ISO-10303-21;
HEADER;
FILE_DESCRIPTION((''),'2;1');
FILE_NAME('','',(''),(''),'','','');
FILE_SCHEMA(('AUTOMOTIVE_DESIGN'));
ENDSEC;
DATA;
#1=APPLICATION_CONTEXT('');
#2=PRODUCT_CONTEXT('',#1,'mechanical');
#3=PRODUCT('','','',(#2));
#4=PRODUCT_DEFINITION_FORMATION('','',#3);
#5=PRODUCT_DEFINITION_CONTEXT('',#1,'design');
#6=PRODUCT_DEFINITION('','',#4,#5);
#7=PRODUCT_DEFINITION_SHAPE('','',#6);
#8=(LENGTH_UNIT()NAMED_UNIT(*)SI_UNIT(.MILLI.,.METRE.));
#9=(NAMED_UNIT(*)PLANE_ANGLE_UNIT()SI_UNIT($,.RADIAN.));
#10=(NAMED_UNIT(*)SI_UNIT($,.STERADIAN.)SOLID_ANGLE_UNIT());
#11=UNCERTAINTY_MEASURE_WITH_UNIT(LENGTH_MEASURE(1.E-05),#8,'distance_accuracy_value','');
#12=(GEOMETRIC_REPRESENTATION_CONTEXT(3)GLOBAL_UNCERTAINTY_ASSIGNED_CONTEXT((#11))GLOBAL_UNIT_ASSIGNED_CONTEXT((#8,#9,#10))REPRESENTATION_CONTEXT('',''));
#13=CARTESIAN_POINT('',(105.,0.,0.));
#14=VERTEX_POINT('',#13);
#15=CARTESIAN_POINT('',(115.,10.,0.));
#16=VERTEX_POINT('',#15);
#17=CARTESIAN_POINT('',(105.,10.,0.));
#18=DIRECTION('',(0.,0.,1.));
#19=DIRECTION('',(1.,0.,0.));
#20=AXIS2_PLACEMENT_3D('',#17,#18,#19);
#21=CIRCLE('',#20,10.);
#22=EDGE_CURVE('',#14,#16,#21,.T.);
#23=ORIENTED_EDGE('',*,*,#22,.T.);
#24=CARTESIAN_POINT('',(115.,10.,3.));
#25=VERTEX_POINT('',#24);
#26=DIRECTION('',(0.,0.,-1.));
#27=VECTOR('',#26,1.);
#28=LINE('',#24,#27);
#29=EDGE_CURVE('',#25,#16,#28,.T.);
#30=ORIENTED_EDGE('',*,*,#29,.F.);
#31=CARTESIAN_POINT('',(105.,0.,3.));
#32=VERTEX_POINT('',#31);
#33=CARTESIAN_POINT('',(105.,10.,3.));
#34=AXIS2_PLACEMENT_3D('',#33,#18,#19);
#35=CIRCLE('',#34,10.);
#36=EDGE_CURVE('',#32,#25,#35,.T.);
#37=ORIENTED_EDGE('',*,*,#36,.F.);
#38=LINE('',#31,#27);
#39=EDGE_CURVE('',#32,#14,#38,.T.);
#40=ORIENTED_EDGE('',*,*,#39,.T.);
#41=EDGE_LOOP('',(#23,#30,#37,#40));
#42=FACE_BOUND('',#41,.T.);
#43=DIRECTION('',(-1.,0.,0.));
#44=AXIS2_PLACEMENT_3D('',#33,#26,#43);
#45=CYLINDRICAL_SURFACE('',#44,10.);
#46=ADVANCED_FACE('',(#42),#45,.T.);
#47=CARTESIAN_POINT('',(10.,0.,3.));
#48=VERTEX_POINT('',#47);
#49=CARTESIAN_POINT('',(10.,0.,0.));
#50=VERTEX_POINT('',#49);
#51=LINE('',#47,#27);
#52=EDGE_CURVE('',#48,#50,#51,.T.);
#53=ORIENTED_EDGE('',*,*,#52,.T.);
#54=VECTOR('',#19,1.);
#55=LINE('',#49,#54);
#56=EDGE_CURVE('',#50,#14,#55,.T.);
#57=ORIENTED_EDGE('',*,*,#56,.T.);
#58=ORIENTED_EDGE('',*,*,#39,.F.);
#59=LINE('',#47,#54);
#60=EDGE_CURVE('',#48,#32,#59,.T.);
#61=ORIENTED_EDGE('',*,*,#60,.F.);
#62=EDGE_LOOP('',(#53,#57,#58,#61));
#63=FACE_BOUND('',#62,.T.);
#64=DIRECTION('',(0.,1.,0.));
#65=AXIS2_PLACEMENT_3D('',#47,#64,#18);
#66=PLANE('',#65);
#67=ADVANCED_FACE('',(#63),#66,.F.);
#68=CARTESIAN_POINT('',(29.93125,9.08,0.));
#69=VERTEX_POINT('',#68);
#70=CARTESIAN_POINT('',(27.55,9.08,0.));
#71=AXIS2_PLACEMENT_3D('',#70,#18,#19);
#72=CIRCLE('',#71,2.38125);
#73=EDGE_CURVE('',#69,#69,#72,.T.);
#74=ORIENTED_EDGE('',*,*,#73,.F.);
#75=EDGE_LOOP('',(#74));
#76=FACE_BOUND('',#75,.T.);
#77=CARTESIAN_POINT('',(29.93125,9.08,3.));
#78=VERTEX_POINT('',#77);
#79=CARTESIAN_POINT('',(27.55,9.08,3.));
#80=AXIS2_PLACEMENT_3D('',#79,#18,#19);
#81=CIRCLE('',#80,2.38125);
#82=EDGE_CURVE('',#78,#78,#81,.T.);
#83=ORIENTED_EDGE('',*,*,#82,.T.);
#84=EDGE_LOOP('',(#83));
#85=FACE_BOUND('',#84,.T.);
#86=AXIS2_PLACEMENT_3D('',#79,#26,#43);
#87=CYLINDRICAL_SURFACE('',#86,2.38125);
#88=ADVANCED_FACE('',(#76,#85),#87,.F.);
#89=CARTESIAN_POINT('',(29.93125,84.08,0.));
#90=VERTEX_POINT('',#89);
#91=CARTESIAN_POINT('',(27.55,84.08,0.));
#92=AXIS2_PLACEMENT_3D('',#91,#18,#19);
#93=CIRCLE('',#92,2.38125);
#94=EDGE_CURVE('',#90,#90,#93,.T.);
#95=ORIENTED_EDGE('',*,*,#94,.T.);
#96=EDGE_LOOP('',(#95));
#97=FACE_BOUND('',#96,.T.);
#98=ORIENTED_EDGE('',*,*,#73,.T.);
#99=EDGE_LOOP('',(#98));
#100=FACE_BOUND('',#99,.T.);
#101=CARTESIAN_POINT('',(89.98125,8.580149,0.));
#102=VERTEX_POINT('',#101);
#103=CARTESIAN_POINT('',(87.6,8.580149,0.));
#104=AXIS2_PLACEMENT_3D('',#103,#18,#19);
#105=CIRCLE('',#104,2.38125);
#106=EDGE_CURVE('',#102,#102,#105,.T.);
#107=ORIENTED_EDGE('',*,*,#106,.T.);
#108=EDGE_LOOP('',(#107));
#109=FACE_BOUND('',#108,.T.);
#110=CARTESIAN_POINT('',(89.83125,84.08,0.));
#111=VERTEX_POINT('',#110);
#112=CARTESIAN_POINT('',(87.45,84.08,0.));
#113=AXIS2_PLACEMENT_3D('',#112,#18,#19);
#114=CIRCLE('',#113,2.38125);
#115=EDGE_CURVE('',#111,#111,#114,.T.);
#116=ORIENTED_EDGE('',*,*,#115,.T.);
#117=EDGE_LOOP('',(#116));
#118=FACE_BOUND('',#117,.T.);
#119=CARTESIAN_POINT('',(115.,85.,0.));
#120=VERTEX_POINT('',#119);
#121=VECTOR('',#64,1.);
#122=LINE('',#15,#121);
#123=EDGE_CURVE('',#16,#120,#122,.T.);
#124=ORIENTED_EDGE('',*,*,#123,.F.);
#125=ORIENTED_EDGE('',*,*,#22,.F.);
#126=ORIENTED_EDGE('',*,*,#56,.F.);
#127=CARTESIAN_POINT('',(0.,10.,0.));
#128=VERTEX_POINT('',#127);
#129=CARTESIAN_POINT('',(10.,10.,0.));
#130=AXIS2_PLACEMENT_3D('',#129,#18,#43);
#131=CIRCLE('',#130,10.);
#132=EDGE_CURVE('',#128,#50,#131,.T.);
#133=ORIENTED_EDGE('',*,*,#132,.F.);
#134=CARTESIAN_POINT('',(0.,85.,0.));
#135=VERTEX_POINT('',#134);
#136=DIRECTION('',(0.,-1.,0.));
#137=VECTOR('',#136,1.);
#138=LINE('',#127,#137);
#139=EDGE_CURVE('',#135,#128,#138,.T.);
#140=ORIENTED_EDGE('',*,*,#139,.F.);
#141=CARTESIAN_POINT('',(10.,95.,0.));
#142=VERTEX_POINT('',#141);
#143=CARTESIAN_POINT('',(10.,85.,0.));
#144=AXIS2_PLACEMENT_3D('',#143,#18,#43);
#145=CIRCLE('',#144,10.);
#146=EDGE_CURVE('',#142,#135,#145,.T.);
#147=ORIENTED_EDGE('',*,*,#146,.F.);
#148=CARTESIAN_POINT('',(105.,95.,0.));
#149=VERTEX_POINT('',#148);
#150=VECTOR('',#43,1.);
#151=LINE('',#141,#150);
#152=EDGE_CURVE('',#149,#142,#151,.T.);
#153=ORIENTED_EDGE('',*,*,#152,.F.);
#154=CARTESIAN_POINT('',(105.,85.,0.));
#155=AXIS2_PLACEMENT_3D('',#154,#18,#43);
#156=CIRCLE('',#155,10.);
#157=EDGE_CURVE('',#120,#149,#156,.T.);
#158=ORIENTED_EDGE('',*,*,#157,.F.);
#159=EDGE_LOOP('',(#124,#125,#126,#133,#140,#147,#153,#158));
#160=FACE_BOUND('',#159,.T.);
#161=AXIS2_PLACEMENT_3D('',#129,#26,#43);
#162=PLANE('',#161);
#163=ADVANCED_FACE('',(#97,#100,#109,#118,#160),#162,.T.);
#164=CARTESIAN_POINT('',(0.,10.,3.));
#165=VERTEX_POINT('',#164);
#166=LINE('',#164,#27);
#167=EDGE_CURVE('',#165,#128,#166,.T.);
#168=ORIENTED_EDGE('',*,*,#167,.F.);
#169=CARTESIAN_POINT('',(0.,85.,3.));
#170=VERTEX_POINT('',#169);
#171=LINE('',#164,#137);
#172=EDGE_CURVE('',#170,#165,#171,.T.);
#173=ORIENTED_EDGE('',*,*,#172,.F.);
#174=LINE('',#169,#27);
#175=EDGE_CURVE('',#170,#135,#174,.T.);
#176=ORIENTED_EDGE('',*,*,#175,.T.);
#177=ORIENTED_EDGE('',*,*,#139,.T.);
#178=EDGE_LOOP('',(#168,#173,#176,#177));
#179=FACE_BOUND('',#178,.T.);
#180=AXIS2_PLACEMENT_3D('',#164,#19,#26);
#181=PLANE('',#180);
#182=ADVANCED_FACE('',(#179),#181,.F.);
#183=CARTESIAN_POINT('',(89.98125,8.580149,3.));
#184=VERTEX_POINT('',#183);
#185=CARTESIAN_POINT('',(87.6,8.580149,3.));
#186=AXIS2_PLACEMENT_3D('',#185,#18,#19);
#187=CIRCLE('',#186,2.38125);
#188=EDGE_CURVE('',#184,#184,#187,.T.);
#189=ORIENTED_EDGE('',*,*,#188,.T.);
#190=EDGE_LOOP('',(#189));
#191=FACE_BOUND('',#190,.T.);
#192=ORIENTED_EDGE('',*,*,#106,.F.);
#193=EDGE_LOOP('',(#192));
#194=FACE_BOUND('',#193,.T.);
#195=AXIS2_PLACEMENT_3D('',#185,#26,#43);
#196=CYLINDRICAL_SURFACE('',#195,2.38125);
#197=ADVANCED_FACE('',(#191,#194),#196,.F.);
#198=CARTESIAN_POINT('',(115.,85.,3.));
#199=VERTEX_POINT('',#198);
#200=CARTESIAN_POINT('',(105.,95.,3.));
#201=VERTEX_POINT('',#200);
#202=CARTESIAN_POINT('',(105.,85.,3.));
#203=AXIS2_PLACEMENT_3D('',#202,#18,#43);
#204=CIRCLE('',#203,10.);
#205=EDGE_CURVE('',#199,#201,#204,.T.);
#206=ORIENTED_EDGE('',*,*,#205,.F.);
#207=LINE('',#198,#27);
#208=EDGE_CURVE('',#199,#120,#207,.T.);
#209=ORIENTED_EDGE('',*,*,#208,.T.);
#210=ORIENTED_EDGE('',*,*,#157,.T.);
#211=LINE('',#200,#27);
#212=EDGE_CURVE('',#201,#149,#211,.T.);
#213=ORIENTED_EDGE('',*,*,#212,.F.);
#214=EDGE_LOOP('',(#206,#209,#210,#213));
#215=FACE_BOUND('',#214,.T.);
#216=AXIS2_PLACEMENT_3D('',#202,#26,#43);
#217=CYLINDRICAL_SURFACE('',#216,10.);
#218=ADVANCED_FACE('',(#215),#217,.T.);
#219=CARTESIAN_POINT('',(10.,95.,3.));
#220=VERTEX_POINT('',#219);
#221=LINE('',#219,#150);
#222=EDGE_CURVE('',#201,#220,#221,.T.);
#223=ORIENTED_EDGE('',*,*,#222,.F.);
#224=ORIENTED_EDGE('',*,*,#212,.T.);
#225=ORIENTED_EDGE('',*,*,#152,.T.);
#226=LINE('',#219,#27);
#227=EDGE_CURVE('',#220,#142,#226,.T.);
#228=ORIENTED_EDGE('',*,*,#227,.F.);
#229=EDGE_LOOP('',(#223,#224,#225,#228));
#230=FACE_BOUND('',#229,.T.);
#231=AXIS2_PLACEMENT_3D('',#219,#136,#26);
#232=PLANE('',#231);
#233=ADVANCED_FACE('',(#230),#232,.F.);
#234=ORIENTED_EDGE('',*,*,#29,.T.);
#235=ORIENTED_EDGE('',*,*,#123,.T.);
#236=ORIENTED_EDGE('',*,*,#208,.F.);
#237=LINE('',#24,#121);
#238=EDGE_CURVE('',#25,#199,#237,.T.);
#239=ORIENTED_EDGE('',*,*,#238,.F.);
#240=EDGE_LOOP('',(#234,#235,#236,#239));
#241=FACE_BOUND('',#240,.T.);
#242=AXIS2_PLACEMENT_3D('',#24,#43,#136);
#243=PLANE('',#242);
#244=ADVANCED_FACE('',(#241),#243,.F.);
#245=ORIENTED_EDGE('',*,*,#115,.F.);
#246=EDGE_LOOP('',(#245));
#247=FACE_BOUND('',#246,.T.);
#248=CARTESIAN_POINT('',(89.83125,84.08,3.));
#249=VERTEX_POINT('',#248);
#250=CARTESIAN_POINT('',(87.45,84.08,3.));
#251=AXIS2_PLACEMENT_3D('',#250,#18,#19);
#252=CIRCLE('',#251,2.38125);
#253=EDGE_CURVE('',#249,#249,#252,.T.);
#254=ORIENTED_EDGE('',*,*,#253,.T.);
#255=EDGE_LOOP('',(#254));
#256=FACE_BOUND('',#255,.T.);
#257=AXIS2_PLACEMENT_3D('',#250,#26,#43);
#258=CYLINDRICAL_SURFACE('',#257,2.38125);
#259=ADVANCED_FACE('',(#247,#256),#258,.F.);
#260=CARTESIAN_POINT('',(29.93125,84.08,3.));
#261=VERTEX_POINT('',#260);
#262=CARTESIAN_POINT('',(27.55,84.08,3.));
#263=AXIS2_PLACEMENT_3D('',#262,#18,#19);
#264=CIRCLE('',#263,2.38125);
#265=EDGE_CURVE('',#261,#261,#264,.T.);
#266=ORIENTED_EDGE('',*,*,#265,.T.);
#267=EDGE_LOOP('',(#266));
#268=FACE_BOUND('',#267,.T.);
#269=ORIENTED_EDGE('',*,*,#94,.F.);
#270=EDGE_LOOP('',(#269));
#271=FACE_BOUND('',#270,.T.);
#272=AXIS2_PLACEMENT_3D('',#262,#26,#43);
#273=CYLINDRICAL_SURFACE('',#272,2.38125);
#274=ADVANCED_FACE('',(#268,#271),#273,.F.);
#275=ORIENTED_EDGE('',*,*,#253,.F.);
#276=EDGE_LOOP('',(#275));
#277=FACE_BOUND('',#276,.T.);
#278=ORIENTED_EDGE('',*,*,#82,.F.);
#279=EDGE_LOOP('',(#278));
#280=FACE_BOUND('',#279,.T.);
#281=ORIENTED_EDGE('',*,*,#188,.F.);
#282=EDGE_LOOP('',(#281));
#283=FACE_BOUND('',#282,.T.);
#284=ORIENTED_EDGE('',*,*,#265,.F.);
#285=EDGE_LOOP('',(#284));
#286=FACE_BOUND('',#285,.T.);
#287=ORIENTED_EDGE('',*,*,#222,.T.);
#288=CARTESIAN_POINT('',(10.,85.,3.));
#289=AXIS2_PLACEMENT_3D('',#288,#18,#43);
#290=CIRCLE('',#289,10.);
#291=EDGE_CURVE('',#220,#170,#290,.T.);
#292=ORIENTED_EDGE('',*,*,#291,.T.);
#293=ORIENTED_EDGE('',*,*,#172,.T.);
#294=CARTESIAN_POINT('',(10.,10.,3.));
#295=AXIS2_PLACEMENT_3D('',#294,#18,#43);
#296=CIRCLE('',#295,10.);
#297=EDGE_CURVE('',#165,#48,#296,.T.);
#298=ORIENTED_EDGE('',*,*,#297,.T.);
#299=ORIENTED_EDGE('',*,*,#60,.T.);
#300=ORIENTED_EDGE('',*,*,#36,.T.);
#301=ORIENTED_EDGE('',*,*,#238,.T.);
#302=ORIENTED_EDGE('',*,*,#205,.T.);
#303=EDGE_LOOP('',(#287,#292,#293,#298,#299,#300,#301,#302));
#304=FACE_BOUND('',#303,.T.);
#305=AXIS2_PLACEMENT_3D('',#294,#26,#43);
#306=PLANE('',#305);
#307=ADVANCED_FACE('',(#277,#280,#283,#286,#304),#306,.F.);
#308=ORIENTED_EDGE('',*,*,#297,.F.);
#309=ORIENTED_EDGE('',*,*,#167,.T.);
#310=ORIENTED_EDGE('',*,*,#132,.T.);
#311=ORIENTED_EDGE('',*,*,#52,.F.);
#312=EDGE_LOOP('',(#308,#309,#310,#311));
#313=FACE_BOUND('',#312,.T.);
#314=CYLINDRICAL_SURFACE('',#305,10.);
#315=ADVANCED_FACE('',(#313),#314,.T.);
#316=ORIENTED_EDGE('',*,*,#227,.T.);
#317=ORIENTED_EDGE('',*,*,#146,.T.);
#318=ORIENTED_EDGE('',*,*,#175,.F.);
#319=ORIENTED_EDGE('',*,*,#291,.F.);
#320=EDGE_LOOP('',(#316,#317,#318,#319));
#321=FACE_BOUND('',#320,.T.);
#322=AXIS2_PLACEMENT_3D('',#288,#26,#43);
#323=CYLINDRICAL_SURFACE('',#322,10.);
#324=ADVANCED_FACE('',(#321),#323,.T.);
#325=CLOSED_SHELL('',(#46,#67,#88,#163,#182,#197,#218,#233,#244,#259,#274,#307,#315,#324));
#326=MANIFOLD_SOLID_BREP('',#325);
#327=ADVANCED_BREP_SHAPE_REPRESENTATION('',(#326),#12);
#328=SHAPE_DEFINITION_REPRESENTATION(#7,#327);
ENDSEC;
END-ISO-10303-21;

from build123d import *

# Parameters (mm, degrees)
CROQUIS1_R              = 2.38125
SALIENTE_EXTRUIR1_DEPTH = 3


with BuildPart() as part:
    # Croquis1 → Saliente-Extruir1 (new body)
    with BuildSketch(Plane.XY):
        with BuildLine():
            Line((10, 0), (105, 0))
            ThreePointArc((105, 0), (112.071067812, 2.928932188), (115, 10))
            Line((115, 10), (115, 85))
            ThreePointArc((115, 85), (112.071067812, 92.071067812), (105, 95))
            Line((105, 95), (10, 95))
            ThreePointArc((10, 95), (2.928932188, 92.071067812), (0, 85))
            Line((0, 85), (0, 10))
            ThreePointArc((0, 10), (2.928932188, 2.928932188), (10, 0))
        make_face()
        with Locations((27.55, 84.08)):
            Circle(CROQUIS1_R, mode=Mode.SUBTRACT)
        with Locations((87.45, 84.08)):
            Circle(CROQUIS1_R, mode=Mode.SUBTRACT)
        with Locations((27.55, 9.08)):
            Circle(CROQUIS1_R, mode=Mode.SUBTRACT)
        with Locations((87.6, 8.580149007)):
            Circle(CROQUIS1_R, mode=Mode.SUBTRACT)
    extrude(amount=SALIENTE_EXTRUIR1_DEPTH)


solid = part.part
